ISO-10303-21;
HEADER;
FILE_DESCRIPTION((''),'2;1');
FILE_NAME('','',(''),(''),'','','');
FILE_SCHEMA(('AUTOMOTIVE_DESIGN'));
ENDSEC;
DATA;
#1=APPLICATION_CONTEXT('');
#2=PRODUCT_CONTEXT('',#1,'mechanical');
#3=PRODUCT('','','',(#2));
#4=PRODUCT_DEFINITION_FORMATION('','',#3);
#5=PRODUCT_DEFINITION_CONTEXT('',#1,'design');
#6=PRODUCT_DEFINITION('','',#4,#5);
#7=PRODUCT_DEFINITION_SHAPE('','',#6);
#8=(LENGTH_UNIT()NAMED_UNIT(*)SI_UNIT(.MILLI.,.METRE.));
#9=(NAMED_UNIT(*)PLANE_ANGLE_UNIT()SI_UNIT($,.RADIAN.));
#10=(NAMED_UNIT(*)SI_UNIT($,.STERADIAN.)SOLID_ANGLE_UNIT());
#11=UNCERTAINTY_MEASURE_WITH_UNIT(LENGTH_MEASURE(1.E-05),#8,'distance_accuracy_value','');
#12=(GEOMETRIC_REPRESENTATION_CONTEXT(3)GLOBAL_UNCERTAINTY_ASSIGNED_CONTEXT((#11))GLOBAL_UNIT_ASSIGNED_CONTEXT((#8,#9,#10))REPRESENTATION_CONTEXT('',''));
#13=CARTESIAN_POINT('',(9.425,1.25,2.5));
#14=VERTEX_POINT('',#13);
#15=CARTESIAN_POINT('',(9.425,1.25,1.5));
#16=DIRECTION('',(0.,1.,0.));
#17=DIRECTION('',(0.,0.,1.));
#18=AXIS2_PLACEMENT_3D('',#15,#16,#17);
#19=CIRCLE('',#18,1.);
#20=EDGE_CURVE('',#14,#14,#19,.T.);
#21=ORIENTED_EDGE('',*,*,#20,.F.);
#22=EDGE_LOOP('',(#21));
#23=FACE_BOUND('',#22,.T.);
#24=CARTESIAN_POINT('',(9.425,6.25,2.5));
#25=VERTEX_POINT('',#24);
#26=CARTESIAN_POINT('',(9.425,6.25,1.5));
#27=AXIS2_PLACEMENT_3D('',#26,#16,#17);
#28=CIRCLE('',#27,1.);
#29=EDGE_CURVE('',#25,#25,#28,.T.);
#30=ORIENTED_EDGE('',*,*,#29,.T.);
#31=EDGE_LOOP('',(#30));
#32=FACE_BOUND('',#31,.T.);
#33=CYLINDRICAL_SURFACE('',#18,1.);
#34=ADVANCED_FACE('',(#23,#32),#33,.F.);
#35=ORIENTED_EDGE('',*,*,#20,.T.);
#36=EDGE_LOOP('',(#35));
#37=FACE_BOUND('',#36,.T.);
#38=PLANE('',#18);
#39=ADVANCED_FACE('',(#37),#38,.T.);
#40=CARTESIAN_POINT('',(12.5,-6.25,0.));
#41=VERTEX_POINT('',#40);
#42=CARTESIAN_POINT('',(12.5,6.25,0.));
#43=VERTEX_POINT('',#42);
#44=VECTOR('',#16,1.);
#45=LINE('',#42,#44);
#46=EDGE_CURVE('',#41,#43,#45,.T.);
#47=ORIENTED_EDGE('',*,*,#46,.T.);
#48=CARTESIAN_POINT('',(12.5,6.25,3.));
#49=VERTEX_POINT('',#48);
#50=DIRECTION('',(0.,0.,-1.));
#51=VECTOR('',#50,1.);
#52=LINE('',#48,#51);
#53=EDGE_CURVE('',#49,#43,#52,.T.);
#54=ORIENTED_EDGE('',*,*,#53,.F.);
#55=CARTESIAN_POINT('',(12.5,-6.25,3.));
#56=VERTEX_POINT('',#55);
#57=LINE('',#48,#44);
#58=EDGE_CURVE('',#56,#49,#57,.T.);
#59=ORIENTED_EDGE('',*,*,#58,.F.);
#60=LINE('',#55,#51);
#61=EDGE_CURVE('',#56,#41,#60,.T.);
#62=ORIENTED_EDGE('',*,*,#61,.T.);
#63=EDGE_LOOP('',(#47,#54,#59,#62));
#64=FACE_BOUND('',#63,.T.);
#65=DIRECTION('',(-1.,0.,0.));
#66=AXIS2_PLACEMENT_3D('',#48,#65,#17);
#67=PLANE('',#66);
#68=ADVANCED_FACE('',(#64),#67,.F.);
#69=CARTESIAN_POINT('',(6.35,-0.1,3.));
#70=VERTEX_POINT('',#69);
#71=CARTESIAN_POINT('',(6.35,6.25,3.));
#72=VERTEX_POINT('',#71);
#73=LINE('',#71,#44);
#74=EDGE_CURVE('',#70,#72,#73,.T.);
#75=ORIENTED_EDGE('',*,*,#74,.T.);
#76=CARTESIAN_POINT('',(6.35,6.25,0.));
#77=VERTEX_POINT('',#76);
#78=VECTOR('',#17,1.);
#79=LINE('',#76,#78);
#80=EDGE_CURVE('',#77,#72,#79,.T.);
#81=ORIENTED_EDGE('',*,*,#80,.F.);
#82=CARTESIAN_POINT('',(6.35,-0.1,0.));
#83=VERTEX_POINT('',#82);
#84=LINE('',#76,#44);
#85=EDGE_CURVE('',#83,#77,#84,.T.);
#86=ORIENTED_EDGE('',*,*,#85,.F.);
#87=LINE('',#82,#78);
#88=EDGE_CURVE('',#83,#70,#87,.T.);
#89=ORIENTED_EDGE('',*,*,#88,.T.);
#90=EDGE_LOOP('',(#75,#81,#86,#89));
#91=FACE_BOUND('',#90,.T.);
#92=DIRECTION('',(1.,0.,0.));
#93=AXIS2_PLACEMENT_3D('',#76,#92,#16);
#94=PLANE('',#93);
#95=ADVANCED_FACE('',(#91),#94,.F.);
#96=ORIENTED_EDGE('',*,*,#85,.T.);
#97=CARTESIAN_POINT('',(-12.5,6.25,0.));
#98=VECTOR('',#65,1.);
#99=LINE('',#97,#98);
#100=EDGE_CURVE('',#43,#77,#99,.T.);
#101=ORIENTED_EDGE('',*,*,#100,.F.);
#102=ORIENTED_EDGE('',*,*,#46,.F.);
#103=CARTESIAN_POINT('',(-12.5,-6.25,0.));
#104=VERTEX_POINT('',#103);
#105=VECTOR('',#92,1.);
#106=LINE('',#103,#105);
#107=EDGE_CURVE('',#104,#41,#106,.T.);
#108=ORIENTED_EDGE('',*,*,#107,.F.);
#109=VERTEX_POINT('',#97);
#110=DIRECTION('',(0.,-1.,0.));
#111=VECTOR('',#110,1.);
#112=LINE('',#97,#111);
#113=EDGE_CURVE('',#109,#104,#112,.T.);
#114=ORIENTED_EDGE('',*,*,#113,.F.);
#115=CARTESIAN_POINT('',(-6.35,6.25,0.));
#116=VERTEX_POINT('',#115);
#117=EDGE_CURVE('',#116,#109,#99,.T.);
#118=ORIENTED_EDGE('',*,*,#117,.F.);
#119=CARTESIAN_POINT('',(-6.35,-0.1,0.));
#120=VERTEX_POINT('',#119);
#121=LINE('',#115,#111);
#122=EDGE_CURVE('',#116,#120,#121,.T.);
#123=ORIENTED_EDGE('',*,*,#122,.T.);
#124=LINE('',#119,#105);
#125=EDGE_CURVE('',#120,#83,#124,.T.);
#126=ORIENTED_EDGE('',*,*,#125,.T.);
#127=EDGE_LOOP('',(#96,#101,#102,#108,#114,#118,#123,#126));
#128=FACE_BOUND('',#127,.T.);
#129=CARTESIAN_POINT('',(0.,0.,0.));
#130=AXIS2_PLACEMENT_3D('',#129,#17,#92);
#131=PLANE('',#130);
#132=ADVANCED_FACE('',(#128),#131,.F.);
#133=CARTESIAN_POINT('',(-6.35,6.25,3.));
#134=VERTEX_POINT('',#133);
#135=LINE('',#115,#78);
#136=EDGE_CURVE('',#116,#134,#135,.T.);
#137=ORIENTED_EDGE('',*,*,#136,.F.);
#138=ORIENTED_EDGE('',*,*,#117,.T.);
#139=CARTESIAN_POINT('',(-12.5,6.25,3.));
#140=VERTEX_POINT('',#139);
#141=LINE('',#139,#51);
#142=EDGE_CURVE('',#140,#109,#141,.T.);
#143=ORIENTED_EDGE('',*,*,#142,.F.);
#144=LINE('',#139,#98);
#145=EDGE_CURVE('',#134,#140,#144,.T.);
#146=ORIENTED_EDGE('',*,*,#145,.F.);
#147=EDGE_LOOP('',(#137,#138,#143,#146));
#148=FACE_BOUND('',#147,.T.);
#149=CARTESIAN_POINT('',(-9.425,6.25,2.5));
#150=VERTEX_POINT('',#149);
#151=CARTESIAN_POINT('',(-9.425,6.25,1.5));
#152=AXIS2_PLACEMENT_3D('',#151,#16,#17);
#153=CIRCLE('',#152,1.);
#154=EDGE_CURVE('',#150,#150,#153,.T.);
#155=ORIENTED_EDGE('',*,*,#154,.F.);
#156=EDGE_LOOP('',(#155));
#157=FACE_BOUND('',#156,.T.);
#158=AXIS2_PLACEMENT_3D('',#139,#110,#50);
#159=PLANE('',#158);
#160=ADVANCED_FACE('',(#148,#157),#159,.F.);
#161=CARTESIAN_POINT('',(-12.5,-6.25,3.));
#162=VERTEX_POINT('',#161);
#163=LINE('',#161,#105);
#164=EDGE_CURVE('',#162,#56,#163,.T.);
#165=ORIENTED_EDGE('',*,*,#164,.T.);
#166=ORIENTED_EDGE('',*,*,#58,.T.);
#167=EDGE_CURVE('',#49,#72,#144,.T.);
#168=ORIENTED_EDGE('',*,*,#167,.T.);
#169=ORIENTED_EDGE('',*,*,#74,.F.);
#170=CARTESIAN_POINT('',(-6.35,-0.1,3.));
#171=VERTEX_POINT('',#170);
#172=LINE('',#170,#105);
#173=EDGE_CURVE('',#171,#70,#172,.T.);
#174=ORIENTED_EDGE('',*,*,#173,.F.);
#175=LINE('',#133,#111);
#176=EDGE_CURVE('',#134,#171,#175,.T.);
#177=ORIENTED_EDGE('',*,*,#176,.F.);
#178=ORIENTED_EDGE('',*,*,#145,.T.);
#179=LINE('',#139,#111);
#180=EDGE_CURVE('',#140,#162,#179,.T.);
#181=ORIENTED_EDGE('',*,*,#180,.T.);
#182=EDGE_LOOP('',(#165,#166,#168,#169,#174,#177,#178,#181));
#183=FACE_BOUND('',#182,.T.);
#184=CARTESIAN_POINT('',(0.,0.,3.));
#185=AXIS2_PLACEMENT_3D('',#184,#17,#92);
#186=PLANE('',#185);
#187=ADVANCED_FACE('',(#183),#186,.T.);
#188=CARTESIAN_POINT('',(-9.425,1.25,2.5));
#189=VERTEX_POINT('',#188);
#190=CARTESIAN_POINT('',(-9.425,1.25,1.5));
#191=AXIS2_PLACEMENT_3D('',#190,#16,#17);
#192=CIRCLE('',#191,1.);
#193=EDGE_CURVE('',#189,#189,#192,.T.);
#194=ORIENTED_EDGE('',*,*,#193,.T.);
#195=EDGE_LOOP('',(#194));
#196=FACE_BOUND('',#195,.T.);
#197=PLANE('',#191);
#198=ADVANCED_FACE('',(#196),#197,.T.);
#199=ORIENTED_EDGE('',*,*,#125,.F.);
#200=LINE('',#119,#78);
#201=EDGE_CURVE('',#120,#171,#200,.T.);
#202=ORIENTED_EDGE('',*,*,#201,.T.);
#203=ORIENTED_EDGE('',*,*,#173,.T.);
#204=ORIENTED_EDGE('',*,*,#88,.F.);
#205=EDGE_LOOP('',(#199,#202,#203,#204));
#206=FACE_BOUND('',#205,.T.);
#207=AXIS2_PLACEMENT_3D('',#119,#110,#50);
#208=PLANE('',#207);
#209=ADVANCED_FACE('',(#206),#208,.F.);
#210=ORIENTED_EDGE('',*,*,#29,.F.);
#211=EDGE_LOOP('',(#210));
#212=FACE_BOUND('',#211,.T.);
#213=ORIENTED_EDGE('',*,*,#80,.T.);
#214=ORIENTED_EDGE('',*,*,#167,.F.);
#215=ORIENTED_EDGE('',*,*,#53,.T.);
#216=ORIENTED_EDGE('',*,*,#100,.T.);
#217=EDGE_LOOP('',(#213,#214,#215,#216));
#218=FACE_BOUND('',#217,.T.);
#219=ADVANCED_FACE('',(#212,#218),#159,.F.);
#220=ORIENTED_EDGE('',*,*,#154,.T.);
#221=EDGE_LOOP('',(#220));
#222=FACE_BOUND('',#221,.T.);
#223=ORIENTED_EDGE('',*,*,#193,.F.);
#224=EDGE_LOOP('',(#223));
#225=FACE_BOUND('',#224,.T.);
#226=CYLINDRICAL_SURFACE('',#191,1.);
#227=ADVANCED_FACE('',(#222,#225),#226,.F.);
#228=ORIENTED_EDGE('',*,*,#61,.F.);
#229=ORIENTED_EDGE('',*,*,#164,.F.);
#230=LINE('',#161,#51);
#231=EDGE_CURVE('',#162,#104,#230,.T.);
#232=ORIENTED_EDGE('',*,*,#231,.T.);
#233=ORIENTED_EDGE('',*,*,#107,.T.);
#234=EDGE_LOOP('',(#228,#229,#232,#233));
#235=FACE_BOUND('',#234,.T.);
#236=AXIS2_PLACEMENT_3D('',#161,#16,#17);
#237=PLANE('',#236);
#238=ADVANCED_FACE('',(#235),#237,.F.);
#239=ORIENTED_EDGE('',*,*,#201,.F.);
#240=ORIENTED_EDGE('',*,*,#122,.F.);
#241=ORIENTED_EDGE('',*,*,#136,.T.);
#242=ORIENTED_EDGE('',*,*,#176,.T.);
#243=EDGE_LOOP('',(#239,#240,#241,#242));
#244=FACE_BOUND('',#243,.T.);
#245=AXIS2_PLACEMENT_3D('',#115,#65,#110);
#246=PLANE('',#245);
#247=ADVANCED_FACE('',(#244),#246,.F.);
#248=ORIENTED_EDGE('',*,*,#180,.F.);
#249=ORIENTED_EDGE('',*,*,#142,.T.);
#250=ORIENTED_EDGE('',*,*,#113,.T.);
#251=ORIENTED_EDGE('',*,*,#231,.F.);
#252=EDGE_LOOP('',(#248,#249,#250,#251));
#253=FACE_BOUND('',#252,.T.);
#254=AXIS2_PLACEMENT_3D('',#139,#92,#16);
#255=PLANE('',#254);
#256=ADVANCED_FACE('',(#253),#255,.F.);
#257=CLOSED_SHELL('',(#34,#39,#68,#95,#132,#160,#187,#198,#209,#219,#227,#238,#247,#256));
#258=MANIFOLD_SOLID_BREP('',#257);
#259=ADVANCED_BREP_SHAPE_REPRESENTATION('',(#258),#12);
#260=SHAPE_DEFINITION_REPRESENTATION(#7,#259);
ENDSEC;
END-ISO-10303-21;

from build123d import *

# Parameters (mm, degrees)
SKETCH1_W           = 25
SKETCH1_H           = 12.5
BOSS_EXTRUDE1_DEPTH = 3
SKETCH2_W           = 12.7
SKETCH2_H           = 6.35
CUT_EXTRUDE1_DEPTH  = 3
SKETCH3_R           = 1
CUT_EXTRUDE2_DEPTH  = 5
SKETCH4_R           = 1
CUT_EXTRUDE3_DEPTH  = 5


with BuildPart() as part:
    # Sketch1 → Boss-Extrude1 (new body)
    with BuildSketch(Plane.XY):
        Rectangle(SKETCH1_W, SKETCH1_H)
    extrude(amount=BOSS_EXTRUDE1_DEPTH)

    # Sketch2 → Cut-Extrude1 (cut)
    with BuildSketch(Plane.XY.offset(3)):
        with Locations((0, 3.075)):
            Rectangle(SKETCH2_W, SKETCH2_H)
    extrude(amount=-CUT_EXTRUDE1_DEPTH, mode=Mode.SUBTRACT)

    # Sketch3 → Cut-Extrude2 (cut)
    with BuildSketch(Plane(origin=(0, 6.25, 0), x_dir=(1, 0, 0), z_dir=(0, 1, 0))):
        with Locations(Location((-9.425, -1.5, 0), (0, 0, 270))):
            Circle(SKETCH3_R)
    extrude(amount=-CUT_EXTRUDE2_DEPTH, mode=Mode.SUBTRACT)

    # Sketch4 → Cut-Extrude3 (cut)
    with BuildSketch(Plane(origin=(0, 6.25, 0), x_dir=(1, 0, 0), z_dir=(0, 1, 0))):
        with Locations(Location((9.425, -1.5, 0), (0, 0, 270))):
            Circle(SKETCH4_R)
    extrude(amount=-CUT_EXTRUDE3_DEPTH, mode=Mode.SUBTRACT)


solid = part.part
